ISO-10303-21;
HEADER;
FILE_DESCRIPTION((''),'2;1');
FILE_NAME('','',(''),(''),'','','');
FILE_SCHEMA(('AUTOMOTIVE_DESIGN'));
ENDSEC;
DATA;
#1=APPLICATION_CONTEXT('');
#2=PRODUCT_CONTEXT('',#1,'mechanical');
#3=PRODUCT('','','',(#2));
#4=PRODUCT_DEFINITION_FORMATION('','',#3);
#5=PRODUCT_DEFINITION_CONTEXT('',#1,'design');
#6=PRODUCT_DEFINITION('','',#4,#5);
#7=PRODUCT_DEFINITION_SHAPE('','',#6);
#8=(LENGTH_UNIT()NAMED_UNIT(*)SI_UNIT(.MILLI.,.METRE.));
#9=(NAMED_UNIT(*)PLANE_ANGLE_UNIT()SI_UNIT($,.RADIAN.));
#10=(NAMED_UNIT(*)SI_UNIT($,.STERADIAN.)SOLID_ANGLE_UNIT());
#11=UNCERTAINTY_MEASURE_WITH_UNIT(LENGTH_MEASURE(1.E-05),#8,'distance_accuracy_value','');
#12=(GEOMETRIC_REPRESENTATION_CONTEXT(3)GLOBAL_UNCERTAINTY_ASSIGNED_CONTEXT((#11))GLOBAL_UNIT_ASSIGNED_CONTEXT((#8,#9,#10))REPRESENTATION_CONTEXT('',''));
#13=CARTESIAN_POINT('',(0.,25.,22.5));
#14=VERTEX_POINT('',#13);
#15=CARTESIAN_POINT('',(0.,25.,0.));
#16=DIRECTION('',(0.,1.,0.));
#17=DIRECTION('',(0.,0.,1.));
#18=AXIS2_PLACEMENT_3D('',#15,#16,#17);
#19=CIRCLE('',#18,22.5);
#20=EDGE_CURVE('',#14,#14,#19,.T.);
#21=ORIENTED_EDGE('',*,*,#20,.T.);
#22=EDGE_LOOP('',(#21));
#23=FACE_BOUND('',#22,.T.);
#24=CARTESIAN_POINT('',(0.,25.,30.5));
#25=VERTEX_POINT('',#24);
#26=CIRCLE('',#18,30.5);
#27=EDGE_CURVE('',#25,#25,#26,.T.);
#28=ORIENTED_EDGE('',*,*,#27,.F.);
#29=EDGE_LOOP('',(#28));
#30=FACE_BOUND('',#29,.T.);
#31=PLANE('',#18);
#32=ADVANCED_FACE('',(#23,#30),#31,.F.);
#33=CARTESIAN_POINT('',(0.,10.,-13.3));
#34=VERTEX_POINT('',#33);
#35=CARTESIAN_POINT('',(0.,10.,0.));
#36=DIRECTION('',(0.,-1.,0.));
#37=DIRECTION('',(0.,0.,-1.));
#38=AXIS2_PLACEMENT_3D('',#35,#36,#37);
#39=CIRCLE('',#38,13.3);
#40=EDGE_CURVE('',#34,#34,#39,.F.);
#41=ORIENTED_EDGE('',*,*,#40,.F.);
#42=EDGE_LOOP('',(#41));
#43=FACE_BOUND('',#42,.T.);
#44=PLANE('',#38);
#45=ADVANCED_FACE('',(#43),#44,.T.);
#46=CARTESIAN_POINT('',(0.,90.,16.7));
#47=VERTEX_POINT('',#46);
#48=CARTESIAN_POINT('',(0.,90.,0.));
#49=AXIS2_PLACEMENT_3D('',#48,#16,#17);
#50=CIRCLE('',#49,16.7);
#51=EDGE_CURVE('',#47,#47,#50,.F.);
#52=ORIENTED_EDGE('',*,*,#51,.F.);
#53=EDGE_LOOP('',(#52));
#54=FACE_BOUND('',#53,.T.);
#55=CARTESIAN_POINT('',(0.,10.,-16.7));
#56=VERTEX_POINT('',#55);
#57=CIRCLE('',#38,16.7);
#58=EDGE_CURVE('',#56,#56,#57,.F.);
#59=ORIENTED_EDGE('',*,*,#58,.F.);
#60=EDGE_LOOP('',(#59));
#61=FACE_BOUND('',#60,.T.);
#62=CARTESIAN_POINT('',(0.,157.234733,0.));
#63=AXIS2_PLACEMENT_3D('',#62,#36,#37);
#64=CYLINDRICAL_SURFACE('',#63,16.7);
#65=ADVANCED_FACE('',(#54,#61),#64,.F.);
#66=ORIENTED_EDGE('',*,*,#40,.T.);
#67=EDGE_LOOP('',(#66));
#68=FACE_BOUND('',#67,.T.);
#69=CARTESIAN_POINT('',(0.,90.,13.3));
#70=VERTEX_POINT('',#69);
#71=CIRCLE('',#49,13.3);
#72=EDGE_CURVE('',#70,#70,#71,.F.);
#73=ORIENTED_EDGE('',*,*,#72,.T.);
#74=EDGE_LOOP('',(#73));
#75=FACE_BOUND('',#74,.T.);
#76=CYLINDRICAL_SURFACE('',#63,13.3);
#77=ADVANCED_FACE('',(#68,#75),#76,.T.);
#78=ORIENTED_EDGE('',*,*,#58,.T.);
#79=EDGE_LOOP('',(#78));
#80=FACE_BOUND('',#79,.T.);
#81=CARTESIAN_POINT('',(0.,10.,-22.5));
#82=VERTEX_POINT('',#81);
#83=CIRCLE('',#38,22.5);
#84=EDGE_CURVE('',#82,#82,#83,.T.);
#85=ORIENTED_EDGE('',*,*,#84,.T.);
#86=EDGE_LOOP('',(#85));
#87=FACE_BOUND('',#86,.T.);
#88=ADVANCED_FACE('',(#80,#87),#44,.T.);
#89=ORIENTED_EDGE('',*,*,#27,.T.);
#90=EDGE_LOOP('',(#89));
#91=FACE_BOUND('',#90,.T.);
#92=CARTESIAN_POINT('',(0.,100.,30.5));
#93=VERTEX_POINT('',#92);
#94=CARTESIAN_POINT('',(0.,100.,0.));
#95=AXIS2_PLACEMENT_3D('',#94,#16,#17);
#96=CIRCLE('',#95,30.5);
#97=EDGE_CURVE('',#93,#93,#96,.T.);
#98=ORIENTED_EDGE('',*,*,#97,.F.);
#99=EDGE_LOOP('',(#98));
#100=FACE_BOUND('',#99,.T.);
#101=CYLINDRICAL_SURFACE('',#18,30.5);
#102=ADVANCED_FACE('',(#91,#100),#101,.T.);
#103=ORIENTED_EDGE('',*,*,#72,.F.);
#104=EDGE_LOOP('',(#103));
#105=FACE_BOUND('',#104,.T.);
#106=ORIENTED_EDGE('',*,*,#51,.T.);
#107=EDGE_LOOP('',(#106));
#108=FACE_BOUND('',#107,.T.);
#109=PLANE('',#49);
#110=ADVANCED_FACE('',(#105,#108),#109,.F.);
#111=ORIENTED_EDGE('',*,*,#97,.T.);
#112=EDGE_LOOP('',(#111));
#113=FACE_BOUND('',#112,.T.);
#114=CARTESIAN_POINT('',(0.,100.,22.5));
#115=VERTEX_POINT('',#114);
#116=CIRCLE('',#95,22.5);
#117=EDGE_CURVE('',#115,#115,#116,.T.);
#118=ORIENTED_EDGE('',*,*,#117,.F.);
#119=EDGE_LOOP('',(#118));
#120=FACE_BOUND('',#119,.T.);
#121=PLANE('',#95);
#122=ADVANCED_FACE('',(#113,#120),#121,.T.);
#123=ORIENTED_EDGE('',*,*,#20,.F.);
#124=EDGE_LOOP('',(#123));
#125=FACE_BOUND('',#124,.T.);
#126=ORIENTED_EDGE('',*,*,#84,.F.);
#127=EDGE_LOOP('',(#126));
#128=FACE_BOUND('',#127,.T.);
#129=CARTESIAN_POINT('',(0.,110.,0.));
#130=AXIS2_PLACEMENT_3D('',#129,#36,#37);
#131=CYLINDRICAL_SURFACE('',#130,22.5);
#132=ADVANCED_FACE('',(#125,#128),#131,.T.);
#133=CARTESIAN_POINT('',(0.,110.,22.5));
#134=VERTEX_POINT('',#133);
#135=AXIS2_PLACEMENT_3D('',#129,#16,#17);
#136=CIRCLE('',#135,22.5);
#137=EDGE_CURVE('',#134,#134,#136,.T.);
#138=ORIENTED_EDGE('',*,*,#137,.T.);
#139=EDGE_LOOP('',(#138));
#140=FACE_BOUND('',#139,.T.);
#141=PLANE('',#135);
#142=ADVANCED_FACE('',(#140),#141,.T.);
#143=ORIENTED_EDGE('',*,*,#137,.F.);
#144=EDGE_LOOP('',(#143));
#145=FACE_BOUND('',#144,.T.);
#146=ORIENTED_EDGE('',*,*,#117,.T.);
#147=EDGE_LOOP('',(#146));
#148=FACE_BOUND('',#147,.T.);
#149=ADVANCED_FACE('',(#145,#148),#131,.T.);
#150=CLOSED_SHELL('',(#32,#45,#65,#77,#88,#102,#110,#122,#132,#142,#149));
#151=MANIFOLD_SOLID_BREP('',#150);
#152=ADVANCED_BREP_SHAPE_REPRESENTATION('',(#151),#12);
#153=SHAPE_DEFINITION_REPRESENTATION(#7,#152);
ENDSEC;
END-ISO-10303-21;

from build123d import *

# Parameters (mm, degrees)
CROQUIS1_R              = 22.5
SALIENTE_EXTRUIR1_DEPTH = 110
CROQUIS2_R              = 16.7
CROQUIS2_R_2            = 13.3
CORTAR_EXTRUIR1_DEPTH   = 90
CROQUIS4_R              = 22.5
CORTAR_EXTRUIR2_DEPTH   = 10
SALIENTE_EXTRUIR2_START = -75
CROQUIS5_R              = 30.5
CROQUIS5_R_2            = 22.5
SALIENTE_EXTRUIR2_DEPTH = 75


with BuildPart() as part:
    # Croquis1 → Saliente-Extruir1 (new body)
    with BuildSketch(Plane(origin=(0, 0, 0), x_dir=(1, 0, 0), z_dir=(0, 1, 0))):
        with Locations(Location((0, 0, 0), (0, 0, 270))):
            Circle(CROQUIS1_R)
    extrude(amount=SALIENTE_EXTRUIR1_DEPTH)

    # Croquis2 → Cortar-Extruir1 (cut)
    with BuildSketch(Plane.XZ):
        with Locations(Location((0, 0, 0), (0, 0, 270))):
            Circle(CROQUIS2_R)
        with Locations(Location((0, 0, 0), (0, 0, 270))):
            Circle(CROQUIS2_R_2, mode=Mode.SUBTRACT)
    extrude(amount=-CORTAR_EXTRUIR1_DEPTH, mode=Mode.SUBTRACT)

    # Croquis4 → Cortar-Extruir2 (cut)
    with BuildSketch(Plane.XZ):
        with Locations(Location((0, 0, 0), (0, 0, 270))):
            Circle(CROQUIS4_R)
    extrude(amount=-CORTAR_EXTRUIR2_DEPTH, mode=Mode.SUBTRACT)

    # Croquis5 → Saliente-Extruir2 (add)
    with BuildSketch(Plane(origin=(0, 100, 0), x_dir=(1, 0, 0), z_dir=(0, 1, 0)).offset(SALIENTE_EXTRUIR2_START)):
        with Locations(Location((0, 0, 0), (0, 0, 270))):
            Circle(CROQUIS5_R)
        with Locations(Location((0, 0, 0), (0, 0, 90))):
            Circle(CROQUIS5_R_2, mode=Mode.SUBTRACT)
    extrude(amount=SALIENTE_EXTRUIR2_DEPTH)


solid = part.part
